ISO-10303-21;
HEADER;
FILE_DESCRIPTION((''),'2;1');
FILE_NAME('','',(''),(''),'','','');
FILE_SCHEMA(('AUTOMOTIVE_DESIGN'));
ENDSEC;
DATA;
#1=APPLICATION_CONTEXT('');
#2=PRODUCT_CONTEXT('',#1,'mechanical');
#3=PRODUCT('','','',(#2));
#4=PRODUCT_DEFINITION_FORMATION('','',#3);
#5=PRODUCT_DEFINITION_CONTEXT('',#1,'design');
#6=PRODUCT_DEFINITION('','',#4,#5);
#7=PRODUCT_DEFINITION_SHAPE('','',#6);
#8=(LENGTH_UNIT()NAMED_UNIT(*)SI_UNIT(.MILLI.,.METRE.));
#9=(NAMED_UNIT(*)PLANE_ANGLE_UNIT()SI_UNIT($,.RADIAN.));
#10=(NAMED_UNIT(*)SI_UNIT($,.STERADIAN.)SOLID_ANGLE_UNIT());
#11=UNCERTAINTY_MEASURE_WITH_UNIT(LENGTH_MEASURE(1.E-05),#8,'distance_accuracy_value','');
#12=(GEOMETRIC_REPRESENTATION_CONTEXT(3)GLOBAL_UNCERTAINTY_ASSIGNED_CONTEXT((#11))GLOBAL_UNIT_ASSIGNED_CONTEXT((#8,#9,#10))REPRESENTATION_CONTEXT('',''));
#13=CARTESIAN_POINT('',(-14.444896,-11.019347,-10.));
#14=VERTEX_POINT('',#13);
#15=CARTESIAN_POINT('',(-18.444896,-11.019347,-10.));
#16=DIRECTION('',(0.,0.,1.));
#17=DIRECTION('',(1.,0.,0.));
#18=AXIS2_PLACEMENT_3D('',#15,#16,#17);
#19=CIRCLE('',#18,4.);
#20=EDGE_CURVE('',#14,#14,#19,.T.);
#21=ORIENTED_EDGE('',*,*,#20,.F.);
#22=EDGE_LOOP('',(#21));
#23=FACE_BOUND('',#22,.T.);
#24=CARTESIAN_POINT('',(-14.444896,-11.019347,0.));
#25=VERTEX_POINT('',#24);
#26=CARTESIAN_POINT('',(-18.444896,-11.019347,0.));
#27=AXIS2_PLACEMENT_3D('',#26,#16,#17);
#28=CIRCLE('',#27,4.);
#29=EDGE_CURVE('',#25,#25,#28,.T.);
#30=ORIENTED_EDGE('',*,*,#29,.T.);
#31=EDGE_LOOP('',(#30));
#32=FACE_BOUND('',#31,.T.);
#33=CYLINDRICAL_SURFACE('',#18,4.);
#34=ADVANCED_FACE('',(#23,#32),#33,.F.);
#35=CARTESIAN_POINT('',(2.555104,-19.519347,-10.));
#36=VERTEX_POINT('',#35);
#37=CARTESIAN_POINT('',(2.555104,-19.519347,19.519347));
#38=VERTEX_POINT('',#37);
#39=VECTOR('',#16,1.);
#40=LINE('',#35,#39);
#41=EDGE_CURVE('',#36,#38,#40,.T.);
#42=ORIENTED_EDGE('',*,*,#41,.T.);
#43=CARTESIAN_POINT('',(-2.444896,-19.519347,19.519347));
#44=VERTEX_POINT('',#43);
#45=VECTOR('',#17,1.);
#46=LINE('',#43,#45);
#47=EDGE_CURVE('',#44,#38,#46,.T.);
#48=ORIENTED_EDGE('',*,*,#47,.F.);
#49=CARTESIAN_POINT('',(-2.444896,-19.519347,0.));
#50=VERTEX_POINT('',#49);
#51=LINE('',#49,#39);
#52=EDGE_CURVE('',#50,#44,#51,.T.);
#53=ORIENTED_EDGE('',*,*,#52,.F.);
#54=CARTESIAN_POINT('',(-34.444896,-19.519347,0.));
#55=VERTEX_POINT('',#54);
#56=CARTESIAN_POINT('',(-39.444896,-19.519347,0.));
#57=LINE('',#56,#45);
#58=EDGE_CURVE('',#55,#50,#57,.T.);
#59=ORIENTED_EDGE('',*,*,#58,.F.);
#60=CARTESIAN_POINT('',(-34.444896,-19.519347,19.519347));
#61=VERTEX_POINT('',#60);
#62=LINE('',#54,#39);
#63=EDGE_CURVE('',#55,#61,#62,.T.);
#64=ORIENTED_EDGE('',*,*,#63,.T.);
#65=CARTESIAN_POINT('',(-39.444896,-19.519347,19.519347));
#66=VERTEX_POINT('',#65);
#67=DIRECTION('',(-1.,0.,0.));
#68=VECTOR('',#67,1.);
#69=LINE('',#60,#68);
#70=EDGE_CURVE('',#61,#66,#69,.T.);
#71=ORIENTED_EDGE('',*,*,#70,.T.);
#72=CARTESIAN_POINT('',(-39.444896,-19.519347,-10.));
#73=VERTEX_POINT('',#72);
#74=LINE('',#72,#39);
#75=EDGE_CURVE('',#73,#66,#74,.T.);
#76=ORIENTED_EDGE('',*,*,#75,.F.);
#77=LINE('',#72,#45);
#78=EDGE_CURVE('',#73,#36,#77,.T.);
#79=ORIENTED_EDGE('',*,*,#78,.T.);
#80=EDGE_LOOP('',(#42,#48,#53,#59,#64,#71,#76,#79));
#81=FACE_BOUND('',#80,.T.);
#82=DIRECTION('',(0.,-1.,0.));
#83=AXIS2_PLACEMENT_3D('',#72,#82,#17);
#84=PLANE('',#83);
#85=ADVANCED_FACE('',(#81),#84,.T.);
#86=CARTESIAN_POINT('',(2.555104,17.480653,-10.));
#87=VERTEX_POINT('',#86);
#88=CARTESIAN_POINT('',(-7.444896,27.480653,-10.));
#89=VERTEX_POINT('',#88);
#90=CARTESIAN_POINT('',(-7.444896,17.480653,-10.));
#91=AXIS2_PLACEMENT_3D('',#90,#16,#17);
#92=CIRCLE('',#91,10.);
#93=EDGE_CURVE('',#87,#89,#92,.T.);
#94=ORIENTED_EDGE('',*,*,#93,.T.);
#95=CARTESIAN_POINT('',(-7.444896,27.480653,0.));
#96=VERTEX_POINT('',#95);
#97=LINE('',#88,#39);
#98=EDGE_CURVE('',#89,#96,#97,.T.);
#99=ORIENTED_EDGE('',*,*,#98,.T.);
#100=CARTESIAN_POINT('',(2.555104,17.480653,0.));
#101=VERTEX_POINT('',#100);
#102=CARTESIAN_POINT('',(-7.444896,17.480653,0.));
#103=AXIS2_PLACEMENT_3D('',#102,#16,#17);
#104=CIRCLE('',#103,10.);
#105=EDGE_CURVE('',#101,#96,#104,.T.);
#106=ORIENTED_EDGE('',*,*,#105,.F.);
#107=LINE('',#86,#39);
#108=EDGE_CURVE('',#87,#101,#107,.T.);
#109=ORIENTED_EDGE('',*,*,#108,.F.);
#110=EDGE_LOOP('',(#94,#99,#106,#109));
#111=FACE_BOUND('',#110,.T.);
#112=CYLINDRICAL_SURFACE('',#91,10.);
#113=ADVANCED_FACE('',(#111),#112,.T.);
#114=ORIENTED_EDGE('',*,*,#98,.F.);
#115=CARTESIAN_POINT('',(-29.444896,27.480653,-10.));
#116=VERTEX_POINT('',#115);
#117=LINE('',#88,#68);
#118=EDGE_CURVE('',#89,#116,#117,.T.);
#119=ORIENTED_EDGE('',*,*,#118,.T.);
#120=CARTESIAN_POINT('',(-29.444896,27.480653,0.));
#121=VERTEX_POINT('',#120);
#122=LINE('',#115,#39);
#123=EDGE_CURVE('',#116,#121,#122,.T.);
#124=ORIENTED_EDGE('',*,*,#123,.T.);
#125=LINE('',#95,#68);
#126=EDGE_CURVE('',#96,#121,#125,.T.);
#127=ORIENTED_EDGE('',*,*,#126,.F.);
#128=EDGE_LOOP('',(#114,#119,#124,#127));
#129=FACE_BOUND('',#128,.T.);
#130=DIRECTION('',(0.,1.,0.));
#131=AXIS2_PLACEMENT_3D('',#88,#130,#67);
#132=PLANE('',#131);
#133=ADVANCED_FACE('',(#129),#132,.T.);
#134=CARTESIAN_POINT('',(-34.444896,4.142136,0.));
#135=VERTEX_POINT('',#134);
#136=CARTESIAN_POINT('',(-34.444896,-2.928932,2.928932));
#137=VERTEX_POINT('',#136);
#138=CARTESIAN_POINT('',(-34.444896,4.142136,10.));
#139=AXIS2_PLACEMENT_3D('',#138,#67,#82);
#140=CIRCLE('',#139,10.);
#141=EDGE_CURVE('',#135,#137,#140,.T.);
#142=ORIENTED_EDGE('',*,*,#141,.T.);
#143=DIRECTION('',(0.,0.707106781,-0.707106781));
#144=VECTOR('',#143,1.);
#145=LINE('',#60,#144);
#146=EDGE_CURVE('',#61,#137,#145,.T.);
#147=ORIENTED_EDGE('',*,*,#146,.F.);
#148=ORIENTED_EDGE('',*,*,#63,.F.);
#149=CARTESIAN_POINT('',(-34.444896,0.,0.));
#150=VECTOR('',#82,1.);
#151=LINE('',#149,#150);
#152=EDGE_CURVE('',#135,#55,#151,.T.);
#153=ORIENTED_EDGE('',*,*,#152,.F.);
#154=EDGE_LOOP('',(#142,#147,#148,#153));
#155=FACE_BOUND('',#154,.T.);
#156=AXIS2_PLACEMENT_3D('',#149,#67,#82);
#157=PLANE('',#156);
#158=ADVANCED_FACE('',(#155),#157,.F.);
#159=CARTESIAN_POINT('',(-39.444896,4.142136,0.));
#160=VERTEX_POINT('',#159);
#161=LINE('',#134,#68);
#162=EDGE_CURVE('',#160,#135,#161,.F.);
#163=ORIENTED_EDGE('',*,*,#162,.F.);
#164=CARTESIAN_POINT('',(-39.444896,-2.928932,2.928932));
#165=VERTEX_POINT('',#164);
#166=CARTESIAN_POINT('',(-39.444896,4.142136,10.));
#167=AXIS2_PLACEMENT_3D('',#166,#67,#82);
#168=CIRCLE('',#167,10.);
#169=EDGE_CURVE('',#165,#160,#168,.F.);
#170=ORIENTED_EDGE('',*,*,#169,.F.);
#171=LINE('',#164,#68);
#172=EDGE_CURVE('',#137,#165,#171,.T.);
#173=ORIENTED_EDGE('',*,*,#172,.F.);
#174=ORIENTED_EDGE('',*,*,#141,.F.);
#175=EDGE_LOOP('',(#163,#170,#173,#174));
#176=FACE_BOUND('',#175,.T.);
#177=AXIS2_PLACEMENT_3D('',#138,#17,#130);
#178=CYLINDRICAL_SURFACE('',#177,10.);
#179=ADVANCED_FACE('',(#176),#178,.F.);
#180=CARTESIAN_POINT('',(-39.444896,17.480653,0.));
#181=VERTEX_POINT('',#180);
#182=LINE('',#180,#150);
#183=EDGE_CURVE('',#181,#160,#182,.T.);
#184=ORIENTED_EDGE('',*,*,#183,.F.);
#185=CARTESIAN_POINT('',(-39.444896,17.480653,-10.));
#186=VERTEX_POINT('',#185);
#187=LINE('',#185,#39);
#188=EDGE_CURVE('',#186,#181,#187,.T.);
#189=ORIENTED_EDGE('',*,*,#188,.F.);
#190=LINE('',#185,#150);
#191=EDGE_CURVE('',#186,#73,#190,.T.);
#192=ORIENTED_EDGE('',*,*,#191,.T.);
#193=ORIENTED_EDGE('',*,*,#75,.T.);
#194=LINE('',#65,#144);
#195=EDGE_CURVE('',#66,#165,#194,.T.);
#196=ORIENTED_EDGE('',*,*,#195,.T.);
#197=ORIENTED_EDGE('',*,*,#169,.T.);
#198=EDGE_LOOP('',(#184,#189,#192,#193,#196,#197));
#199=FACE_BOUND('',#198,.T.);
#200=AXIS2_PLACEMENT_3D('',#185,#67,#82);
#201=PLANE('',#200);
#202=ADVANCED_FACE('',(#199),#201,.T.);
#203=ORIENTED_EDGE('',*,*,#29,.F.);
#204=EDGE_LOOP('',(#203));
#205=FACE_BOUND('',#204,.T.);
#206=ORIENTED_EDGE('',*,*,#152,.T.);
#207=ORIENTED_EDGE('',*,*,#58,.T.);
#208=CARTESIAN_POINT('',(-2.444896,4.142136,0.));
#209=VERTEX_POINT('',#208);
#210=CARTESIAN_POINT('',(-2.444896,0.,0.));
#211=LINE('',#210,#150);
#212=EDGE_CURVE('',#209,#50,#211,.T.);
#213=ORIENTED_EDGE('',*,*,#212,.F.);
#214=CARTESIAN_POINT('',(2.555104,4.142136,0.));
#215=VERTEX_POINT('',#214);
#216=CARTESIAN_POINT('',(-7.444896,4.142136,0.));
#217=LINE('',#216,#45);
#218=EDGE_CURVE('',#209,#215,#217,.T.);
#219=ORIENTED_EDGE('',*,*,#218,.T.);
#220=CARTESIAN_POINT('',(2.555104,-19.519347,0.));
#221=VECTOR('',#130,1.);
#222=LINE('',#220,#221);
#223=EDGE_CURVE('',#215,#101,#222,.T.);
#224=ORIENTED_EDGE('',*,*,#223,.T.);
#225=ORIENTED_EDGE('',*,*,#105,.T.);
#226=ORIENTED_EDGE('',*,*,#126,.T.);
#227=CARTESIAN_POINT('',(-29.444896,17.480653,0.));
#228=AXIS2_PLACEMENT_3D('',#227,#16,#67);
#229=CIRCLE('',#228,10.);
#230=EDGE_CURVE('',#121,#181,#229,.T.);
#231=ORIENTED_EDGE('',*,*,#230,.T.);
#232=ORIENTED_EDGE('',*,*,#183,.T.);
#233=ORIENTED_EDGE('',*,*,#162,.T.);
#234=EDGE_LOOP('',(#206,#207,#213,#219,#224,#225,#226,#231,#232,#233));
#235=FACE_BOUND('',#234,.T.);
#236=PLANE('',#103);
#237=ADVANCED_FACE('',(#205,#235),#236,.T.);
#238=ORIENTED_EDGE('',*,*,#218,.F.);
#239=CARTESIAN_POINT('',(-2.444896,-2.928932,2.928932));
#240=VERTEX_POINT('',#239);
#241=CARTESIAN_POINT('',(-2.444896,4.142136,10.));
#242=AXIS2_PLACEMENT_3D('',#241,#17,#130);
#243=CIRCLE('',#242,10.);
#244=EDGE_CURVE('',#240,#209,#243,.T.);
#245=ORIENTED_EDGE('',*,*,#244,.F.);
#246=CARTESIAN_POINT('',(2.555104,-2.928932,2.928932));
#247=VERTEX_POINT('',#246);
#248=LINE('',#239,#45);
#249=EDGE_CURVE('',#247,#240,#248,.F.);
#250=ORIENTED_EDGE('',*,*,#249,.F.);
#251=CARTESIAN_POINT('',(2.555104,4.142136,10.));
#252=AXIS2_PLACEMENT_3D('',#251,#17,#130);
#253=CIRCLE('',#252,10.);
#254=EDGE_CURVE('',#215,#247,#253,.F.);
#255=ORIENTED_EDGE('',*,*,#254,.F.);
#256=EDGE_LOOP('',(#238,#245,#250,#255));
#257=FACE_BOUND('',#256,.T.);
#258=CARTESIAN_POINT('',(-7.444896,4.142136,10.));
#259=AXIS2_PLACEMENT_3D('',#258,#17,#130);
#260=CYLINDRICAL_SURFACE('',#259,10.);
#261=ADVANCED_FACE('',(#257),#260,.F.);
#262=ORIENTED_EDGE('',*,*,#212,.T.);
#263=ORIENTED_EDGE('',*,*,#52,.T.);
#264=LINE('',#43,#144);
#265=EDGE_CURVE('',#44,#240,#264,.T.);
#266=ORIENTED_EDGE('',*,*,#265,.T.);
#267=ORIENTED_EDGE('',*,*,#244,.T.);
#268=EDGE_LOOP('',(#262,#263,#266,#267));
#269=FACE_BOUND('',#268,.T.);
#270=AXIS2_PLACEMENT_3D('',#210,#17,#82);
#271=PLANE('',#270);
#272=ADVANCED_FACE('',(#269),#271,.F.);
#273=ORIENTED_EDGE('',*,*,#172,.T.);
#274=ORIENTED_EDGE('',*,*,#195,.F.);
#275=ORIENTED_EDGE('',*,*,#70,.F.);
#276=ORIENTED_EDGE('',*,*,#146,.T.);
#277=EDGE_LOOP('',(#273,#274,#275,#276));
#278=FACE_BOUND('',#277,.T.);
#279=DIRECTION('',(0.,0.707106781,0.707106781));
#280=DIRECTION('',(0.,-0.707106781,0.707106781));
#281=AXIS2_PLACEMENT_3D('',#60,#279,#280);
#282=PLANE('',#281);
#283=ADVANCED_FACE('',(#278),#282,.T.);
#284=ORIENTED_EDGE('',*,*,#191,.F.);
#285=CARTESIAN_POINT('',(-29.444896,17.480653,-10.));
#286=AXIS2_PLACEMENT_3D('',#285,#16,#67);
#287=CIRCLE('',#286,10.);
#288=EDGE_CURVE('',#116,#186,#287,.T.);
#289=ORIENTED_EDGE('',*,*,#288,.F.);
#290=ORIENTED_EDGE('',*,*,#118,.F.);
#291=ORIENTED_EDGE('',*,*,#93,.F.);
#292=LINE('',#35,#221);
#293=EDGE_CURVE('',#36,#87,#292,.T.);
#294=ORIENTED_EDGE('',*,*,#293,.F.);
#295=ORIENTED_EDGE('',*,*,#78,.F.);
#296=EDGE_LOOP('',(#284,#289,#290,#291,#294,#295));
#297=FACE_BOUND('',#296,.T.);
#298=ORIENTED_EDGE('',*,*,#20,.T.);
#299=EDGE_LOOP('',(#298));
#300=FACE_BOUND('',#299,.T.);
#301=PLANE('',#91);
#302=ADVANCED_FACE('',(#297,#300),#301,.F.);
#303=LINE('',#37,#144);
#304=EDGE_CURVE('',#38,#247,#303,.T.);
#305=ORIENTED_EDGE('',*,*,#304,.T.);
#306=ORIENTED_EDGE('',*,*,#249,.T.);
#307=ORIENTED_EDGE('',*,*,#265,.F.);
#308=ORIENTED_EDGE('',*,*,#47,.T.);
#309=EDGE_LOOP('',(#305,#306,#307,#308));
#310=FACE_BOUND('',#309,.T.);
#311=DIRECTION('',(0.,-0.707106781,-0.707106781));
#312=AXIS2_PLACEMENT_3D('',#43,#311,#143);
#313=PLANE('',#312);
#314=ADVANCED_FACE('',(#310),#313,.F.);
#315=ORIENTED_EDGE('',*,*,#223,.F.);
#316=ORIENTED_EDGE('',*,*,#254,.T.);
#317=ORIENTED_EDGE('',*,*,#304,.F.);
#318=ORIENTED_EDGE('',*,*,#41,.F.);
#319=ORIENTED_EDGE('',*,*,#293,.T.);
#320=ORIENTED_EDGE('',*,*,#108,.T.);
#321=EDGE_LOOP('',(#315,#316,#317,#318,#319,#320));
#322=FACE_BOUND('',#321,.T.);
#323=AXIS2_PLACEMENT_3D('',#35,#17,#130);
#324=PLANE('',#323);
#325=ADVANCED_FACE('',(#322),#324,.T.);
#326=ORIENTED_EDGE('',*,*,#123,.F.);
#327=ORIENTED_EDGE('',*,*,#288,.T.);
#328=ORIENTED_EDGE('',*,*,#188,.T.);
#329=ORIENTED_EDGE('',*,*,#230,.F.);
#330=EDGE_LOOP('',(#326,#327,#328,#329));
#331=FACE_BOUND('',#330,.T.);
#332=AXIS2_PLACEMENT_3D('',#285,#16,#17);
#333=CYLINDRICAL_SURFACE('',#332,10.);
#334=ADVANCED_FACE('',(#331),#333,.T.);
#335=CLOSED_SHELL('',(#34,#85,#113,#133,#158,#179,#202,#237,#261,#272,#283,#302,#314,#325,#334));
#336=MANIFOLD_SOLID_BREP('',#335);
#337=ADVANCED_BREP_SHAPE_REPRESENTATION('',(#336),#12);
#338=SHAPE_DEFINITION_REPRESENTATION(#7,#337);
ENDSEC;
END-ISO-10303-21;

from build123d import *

# Parameters (mm, degrees)
SKETCH1_R            = 4
BOSS_EXTRUDE1_DEPTH  = 10
BOSS_EXTRUDE2_DEPTH  = 5
FILLET1_R            = 10
FILLET1_OF_MIRROR1_R = 10


with BuildPart() as part:
    # Sketch1 → Boss-Extrude1 (new body)
    with BuildSketch(Plane.XY):
        with BuildLine():
            Line((-7.444896481, 27.480652594), (-29.444896481, 27.480652594))
            ThreePointArc((-29.444896481, 27.480652594), (-36.515964293, 24.551720406), (-39.444896481, 17.480652594))
            Line((-39.444896481, 17.480652594), (-39.444896481, -19.519347406))
            Line((-39.444896481, -19.519347406), (2.555103519, -19.519347406))
            Line((2.555103519, -19.519347406), (2.555103519, 17.480652594))
            ThreePointArc((2.555103519, 17.480652594), (-0.373828669, 24.551720406), (-7.444896481, 27.480652594))
        make_face()
        with Locations((-18.444896481, -11.019347406)):
            Circle(SKETCH1_R, mode=Mode.SUBTRACT)
    extrude(amount=-BOSS_EXTRUDE1_DEPTH)

    # Sketch2 → Boss-Extrude2 (add)
    with BuildSketch(Plane.ZY.offset(39.444896481)):
        Polygon((0, -19.519347406), (19.519347406, -19.519347406), (0, 0), align=None)
    boss_extrude2 = extrude(amount=-BOSS_EXTRUDE2_DEPTH)

    # Fillet1
    fillet1_edges = [part.edges().sort_by_distance(p)[0] for p in [
        (-36.944896481, 0, 0),
    ]]
    fillet(fillet1_edges, radius=FILLET1_R)

    # Mirror1: Boss-Extrude2 across plane
    add(boss_extrude2.mirror(Plane(origin=(-18.444896481, 0, 0), x_dir=(0, 0, 1), z_dir=(1, 0, 0))))

    # Fillet1 of Mirror1
    fillet1_of_mirror1_edges = [part.edges().sort_by_distance(p)[0] for p in [
        (0.055103519, 0, 0),
    ]]
    fillet(fillet1_of_mirror1_edges, radius=FILLET1_OF_MIRROR1_R)


solid = part.part
